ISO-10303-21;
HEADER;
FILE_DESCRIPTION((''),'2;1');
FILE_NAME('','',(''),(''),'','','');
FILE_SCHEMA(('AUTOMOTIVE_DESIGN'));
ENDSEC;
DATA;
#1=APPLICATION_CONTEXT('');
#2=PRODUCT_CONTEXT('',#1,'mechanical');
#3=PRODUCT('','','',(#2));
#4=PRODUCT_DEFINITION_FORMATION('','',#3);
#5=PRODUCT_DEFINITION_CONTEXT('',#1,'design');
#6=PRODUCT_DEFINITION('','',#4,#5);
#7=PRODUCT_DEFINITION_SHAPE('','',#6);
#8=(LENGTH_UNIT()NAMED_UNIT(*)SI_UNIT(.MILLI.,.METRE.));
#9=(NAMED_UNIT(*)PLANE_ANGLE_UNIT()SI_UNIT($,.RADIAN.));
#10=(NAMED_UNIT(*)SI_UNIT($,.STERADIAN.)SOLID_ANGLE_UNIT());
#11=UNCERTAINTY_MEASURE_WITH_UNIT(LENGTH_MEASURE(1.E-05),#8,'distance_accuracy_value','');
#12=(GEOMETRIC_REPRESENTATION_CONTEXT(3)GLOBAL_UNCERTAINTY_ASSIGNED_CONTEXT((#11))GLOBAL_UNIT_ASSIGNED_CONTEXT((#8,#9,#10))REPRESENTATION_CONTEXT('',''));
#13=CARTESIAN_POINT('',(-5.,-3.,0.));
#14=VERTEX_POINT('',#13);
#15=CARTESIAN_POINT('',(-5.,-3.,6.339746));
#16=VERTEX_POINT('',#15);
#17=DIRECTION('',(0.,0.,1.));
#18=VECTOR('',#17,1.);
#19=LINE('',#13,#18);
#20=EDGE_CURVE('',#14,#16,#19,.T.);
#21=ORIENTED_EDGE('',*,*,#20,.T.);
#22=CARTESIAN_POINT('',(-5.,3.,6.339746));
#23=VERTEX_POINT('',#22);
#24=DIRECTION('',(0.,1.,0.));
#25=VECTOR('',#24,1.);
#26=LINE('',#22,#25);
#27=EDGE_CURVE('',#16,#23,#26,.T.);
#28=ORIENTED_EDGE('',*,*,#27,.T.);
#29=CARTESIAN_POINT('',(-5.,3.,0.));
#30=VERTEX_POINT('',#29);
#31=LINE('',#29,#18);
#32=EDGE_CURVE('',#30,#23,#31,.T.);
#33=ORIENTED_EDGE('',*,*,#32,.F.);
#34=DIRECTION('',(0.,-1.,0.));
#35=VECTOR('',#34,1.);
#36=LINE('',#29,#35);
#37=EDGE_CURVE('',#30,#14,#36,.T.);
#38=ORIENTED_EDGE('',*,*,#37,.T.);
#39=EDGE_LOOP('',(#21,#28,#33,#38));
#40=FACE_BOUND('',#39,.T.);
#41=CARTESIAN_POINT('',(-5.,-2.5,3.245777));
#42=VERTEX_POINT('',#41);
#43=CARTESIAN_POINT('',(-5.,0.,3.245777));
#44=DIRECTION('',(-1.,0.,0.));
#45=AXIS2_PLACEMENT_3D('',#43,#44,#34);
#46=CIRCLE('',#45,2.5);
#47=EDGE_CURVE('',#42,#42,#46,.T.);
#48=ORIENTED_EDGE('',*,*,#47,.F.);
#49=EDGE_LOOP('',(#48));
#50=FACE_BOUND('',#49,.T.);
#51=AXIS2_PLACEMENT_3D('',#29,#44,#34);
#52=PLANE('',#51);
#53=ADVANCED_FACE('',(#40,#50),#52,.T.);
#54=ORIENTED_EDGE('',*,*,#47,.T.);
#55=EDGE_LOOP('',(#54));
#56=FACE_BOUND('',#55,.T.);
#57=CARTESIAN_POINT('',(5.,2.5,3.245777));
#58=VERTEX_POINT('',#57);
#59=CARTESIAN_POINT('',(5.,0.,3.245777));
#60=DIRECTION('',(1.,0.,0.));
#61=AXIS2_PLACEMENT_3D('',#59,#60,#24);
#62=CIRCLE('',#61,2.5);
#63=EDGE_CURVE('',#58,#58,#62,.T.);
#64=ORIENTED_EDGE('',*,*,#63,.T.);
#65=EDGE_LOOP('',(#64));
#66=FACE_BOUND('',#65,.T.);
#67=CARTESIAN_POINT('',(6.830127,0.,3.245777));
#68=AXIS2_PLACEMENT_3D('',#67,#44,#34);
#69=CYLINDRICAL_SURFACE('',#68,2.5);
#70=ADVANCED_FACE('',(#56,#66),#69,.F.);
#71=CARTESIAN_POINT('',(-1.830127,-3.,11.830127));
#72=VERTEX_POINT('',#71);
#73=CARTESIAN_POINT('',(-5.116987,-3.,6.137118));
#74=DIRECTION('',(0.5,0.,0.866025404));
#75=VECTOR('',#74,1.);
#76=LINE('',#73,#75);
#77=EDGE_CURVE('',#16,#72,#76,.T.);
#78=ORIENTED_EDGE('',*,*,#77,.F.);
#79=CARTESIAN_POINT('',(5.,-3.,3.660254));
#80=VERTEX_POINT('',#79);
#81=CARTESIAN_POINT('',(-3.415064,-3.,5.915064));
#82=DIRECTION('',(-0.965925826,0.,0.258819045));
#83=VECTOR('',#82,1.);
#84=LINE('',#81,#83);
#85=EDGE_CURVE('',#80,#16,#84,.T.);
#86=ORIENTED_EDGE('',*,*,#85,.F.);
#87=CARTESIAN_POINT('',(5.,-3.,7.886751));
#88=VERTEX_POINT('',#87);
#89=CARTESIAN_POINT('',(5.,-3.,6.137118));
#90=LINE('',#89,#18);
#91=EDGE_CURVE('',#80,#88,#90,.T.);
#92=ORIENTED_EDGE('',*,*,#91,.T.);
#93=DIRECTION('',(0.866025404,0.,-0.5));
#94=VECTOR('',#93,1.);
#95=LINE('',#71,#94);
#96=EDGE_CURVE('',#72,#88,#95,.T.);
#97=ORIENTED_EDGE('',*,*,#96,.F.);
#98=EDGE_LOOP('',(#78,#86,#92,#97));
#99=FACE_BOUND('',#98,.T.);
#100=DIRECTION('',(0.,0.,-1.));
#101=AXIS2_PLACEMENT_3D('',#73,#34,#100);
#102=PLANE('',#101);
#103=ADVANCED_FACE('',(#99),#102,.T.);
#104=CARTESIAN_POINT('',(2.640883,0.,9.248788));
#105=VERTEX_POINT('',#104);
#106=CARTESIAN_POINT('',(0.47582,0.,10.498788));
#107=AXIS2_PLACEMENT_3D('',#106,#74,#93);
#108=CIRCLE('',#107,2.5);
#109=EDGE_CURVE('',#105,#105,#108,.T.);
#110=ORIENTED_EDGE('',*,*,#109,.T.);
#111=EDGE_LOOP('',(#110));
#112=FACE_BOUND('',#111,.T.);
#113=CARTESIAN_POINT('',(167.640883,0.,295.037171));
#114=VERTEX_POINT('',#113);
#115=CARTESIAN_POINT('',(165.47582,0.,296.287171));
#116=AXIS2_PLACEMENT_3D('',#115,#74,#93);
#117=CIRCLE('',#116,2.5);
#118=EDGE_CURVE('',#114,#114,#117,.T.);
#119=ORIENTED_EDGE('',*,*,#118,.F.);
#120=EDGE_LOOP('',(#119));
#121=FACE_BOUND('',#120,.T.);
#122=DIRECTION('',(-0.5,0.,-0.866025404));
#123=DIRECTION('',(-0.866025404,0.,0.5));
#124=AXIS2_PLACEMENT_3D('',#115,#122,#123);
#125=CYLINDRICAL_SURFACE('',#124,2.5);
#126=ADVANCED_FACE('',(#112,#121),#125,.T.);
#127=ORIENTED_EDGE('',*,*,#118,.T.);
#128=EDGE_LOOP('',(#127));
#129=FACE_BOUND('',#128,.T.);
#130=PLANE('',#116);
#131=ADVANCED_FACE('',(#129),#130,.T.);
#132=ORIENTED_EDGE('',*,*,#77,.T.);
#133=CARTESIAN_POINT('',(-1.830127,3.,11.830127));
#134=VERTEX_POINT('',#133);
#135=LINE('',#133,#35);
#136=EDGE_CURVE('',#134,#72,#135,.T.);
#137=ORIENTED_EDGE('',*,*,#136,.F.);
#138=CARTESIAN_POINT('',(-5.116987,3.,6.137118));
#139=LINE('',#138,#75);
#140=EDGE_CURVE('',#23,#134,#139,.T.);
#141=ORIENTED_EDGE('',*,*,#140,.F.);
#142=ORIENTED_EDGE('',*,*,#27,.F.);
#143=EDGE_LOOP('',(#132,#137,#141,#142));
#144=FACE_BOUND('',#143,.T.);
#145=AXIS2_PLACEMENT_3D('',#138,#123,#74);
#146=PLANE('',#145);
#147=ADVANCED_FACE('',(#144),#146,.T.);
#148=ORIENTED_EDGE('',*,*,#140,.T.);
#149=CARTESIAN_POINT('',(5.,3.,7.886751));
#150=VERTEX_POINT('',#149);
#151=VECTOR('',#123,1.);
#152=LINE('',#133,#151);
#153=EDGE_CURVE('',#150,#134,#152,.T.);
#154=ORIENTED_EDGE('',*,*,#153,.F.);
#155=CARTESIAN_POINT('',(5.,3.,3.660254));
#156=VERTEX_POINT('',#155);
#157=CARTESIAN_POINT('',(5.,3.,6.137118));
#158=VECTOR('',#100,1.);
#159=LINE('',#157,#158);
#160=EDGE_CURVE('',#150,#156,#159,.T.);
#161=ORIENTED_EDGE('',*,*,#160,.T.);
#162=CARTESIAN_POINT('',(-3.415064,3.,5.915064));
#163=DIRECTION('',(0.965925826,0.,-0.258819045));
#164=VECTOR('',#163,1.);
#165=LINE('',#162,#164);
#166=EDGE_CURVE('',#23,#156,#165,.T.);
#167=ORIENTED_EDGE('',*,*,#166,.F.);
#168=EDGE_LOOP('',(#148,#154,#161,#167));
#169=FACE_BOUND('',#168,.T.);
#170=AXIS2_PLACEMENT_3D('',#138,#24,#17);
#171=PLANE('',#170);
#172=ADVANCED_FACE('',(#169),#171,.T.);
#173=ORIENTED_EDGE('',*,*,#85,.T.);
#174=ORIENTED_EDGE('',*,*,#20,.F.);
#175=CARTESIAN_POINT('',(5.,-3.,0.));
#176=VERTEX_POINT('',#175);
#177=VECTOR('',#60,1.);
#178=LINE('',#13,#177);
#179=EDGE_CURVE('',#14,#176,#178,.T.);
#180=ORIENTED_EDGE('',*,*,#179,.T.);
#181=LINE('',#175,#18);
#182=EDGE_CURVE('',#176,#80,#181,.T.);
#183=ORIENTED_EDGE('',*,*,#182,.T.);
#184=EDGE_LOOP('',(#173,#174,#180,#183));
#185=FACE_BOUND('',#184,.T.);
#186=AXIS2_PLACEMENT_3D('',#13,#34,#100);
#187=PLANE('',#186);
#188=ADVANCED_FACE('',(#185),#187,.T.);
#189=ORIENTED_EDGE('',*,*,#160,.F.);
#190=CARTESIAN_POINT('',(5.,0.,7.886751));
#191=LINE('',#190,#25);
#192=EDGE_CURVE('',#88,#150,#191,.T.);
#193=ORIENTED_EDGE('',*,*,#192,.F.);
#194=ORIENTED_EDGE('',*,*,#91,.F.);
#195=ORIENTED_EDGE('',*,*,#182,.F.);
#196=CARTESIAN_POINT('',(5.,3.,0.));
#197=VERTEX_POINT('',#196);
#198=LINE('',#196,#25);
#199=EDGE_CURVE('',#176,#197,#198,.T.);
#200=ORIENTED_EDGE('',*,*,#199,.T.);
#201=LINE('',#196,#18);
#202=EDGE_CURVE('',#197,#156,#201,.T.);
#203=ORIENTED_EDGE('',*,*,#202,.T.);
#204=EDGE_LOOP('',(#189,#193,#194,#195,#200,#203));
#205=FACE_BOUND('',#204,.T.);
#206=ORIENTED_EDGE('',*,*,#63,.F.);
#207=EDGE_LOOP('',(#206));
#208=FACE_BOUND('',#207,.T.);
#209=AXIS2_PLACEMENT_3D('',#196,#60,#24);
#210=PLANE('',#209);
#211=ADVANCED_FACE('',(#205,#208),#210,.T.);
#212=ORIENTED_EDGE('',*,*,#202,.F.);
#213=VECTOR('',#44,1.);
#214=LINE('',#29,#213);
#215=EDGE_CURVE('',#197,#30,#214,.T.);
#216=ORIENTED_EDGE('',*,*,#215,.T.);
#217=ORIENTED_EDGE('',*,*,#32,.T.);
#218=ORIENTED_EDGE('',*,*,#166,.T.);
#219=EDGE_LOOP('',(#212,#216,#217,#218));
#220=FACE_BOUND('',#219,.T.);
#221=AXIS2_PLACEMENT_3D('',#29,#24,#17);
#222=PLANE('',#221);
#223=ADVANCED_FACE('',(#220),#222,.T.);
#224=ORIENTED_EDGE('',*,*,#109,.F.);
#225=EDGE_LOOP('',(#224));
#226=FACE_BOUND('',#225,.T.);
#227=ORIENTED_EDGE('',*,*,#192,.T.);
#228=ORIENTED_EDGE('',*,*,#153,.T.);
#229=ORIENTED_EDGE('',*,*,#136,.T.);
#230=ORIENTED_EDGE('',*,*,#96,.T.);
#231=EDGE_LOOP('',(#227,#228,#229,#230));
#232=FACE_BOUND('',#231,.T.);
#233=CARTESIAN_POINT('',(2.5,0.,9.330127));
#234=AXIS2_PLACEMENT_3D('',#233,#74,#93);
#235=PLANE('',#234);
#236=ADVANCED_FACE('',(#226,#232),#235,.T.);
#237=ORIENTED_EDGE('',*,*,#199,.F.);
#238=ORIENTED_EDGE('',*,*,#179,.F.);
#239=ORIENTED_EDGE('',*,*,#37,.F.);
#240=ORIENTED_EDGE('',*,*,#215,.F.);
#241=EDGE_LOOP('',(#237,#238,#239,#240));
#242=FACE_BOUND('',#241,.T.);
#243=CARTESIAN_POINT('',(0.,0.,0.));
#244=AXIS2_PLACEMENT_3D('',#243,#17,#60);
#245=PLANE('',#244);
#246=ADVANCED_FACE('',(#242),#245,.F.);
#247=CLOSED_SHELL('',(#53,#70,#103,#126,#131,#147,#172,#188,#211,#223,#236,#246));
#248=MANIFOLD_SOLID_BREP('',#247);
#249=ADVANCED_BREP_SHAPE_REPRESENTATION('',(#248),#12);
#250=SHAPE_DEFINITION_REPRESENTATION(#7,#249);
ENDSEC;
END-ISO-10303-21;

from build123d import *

# Parameters (mm, degrees)
SKETCH1_W           = 10
SKETCH1_H           = 6
SKETCH5_R           = 2.5
CUT_EXTRUDE1_DEPTH  = 17.997170664
SKETCH6_R           = 2.5
BOSS_EXTRUDE1_DEPTH = 330


with BuildPart() as part:
    # Sweep2: sweep along a path in Sketch4
    with BuildLine(Plane(origin=(0, 0, 0), x_dir=(1, 0, 0), z_dir=(0, 1, 0))) as sweep2_path:
        Line((0, 0), (0, -5))
        Line((0, -5), (2.5, -9.330127019))
    # Sketch1 → Sweep2 (sweep)
    with BuildSketch(Plane.XY):
        Rectangle(SKETCH1_W, SKETCH1_H)
    sweep(path=sweep2_path.line, transition=Transition.RIGHT)

    # Sketch5 → Cut-Extrude1 (cut, through all)
    with BuildSketch(Plane.ZY.offset(5)):
        with Locations(Location((3.245776798, 0, 0), (0, 0, 270))):
            Circle(SKETCH5_R)
    extrude(amount=-CUT_EXTRUDE1_DEPTH, mode=Mode.SUBTRACT)

    # SurfaceCut1
    split(bisect_by=Plane(origin=(5, 0, 0), x_dir=(0, 0, -1), z_dir=(1, 0, 0)), keep=Keep.BOTTOM)

    # Sketch6 → Boss-Extrude1 (add)
    with BuildSketch(Plane(origin=(4.665063509, 0, 8.080127019), x_dir=(0.8660254037844379, 0, -0.5000000000000013), z_dir=(0.5000000000000012, 0, 0.8660254037844378))):
        with Locations((-4.837322129, 0)):
            Circle(SKETCH6_R)
    extrude(amount=BOSS_EXTRUDE1_DEPTH)


solid = part.part
